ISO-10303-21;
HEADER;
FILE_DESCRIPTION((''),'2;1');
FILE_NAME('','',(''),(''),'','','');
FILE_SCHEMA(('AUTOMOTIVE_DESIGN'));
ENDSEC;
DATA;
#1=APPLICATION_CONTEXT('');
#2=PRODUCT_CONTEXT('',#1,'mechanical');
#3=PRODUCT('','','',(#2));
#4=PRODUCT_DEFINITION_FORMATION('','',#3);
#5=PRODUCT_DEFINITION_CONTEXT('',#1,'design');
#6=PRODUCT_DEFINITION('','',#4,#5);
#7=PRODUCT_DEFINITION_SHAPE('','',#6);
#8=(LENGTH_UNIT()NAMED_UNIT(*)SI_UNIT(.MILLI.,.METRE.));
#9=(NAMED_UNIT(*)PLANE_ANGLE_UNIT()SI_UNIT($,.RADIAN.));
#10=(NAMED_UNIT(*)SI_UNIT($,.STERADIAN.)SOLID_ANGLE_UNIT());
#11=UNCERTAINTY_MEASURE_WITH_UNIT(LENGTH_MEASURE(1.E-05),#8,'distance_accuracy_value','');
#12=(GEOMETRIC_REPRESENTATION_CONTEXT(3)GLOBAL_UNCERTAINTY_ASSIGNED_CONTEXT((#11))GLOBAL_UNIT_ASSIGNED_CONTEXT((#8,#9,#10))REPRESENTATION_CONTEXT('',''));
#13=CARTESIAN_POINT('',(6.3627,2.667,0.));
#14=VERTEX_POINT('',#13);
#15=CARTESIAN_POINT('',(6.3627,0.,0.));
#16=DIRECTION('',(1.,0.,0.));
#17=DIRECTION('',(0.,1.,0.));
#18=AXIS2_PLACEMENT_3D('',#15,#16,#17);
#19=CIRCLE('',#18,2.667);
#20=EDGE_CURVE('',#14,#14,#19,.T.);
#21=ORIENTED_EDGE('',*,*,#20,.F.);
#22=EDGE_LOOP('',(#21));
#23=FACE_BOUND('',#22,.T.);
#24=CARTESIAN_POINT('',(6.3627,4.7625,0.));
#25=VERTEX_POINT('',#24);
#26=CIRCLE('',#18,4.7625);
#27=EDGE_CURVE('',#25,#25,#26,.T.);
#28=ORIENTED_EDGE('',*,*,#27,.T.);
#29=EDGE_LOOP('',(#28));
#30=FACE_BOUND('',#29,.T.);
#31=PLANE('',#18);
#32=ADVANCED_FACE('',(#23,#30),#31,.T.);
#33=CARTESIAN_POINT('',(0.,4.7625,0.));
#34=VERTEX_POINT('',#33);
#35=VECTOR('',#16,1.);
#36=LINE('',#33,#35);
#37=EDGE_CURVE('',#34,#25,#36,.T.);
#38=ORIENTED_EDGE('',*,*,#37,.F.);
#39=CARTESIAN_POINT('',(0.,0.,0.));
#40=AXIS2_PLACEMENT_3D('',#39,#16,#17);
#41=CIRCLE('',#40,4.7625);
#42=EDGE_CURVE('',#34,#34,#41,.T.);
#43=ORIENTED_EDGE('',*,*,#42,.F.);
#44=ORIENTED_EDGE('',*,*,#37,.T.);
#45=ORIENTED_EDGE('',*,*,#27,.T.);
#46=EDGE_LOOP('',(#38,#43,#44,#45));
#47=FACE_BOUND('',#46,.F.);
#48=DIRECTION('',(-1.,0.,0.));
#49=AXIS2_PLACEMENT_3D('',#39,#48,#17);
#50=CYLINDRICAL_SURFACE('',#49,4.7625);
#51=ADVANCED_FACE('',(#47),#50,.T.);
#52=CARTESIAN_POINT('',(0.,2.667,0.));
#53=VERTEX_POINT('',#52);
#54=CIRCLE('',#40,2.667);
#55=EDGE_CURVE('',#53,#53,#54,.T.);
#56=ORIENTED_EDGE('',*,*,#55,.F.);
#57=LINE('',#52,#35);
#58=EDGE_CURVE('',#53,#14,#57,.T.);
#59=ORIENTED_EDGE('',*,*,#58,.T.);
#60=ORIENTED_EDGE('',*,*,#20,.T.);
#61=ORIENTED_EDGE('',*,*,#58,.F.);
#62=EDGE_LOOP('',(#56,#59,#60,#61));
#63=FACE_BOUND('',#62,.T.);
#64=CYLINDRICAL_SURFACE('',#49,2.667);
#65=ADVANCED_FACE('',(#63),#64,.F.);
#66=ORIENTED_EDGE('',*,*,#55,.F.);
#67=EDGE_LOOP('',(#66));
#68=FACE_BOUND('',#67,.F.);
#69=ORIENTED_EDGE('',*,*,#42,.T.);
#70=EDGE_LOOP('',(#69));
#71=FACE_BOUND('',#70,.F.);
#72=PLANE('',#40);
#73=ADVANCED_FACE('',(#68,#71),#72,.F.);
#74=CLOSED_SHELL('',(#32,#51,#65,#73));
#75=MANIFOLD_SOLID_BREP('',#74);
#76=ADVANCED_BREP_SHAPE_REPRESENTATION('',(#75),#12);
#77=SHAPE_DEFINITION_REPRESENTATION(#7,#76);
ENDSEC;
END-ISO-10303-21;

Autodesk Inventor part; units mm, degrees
ref_plane "YZ Plane" through (0, 0, 0) normal (1, 0, 0) x (0, 1, 0)
ref_plane "XZ Plane" through (0, 0, 0) normal (0, 1, 0) x (-1, 0, 0)
ref_plane "XY Plane" through (0, 0, 0) normal (0, 0, 1) x (1, 0, 0)
sketch "Sketch1" plane through (0, 0, 0) normal (1, 0, 0) x (0, 1, 0)
  circle A0 centre (0, 0) radius 4.7625
  circle A1 centre (0, 0) radius 2.667
  dimension "d0" = 9.525
  dimension "d3" = 5.334
extrude "Extrusion1" add sketch "Sketch1" along normal blind 6.3627
properties part number "SPACER,MAGNET-PLATE"
